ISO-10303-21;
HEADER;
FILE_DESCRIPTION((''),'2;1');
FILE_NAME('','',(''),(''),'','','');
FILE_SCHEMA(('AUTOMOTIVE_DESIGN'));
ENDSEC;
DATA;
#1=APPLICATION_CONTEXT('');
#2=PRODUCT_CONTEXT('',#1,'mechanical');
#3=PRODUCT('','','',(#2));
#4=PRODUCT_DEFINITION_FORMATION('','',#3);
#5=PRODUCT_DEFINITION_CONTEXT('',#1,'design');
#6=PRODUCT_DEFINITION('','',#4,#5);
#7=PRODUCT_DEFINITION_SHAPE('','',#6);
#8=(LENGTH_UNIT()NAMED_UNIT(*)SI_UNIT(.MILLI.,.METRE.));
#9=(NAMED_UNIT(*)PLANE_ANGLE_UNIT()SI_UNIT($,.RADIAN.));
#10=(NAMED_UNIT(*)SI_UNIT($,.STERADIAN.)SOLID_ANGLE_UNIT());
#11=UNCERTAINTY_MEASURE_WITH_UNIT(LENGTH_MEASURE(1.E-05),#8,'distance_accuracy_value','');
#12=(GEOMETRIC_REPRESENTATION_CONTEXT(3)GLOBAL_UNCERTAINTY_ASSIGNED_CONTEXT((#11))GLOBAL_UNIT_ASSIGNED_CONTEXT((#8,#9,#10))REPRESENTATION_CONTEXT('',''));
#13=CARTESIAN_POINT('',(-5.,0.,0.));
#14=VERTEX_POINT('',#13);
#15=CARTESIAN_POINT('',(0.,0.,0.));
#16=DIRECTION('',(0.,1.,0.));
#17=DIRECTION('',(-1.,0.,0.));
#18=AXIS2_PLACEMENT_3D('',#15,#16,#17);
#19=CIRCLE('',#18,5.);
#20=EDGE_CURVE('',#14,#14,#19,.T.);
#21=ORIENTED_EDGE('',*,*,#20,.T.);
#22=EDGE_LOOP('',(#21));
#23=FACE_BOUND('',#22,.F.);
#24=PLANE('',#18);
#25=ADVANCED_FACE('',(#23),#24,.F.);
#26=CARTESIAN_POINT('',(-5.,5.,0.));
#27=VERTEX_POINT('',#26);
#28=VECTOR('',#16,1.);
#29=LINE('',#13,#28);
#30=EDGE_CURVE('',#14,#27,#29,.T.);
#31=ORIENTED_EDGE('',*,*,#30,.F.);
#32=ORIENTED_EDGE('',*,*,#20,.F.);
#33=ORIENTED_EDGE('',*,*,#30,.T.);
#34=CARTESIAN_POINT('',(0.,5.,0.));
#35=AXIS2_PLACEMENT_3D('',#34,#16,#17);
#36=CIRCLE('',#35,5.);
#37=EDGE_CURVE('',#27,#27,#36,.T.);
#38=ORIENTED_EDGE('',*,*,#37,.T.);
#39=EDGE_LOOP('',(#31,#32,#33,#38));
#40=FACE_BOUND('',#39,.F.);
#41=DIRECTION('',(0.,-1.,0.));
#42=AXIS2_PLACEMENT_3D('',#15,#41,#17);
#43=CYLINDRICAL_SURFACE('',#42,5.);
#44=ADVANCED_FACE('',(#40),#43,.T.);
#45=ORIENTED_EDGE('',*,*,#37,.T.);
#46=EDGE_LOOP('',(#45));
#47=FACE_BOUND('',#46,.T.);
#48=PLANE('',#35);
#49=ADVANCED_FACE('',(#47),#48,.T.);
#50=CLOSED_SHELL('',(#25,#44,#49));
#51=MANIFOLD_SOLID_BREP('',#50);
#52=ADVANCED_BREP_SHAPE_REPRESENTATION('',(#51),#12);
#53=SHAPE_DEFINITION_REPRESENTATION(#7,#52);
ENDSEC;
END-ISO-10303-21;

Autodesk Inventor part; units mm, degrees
ref_plane "YZ Plane" through (0, 0, 0) normal (1, 0, 0) x (0, 1, 0)
ref_plane "XZ Plane" through (0, 0, 0) normal (0, 1, 0) x (-1, 0, 0)
ref_plane "XY Plane" through (0, 0, 0) normal (0, 0, 1) x (1, 0, 0)
sketch "Sketch1" plane through (0, 0, 0) normal (0, 1, 0) x (-1, 0, 0)
  circle A0 centre (0, 0) radius 5
  dimension "d0" = 10
extrude "Extrusion1" add sketch "Sketch1" along normal blind 5
